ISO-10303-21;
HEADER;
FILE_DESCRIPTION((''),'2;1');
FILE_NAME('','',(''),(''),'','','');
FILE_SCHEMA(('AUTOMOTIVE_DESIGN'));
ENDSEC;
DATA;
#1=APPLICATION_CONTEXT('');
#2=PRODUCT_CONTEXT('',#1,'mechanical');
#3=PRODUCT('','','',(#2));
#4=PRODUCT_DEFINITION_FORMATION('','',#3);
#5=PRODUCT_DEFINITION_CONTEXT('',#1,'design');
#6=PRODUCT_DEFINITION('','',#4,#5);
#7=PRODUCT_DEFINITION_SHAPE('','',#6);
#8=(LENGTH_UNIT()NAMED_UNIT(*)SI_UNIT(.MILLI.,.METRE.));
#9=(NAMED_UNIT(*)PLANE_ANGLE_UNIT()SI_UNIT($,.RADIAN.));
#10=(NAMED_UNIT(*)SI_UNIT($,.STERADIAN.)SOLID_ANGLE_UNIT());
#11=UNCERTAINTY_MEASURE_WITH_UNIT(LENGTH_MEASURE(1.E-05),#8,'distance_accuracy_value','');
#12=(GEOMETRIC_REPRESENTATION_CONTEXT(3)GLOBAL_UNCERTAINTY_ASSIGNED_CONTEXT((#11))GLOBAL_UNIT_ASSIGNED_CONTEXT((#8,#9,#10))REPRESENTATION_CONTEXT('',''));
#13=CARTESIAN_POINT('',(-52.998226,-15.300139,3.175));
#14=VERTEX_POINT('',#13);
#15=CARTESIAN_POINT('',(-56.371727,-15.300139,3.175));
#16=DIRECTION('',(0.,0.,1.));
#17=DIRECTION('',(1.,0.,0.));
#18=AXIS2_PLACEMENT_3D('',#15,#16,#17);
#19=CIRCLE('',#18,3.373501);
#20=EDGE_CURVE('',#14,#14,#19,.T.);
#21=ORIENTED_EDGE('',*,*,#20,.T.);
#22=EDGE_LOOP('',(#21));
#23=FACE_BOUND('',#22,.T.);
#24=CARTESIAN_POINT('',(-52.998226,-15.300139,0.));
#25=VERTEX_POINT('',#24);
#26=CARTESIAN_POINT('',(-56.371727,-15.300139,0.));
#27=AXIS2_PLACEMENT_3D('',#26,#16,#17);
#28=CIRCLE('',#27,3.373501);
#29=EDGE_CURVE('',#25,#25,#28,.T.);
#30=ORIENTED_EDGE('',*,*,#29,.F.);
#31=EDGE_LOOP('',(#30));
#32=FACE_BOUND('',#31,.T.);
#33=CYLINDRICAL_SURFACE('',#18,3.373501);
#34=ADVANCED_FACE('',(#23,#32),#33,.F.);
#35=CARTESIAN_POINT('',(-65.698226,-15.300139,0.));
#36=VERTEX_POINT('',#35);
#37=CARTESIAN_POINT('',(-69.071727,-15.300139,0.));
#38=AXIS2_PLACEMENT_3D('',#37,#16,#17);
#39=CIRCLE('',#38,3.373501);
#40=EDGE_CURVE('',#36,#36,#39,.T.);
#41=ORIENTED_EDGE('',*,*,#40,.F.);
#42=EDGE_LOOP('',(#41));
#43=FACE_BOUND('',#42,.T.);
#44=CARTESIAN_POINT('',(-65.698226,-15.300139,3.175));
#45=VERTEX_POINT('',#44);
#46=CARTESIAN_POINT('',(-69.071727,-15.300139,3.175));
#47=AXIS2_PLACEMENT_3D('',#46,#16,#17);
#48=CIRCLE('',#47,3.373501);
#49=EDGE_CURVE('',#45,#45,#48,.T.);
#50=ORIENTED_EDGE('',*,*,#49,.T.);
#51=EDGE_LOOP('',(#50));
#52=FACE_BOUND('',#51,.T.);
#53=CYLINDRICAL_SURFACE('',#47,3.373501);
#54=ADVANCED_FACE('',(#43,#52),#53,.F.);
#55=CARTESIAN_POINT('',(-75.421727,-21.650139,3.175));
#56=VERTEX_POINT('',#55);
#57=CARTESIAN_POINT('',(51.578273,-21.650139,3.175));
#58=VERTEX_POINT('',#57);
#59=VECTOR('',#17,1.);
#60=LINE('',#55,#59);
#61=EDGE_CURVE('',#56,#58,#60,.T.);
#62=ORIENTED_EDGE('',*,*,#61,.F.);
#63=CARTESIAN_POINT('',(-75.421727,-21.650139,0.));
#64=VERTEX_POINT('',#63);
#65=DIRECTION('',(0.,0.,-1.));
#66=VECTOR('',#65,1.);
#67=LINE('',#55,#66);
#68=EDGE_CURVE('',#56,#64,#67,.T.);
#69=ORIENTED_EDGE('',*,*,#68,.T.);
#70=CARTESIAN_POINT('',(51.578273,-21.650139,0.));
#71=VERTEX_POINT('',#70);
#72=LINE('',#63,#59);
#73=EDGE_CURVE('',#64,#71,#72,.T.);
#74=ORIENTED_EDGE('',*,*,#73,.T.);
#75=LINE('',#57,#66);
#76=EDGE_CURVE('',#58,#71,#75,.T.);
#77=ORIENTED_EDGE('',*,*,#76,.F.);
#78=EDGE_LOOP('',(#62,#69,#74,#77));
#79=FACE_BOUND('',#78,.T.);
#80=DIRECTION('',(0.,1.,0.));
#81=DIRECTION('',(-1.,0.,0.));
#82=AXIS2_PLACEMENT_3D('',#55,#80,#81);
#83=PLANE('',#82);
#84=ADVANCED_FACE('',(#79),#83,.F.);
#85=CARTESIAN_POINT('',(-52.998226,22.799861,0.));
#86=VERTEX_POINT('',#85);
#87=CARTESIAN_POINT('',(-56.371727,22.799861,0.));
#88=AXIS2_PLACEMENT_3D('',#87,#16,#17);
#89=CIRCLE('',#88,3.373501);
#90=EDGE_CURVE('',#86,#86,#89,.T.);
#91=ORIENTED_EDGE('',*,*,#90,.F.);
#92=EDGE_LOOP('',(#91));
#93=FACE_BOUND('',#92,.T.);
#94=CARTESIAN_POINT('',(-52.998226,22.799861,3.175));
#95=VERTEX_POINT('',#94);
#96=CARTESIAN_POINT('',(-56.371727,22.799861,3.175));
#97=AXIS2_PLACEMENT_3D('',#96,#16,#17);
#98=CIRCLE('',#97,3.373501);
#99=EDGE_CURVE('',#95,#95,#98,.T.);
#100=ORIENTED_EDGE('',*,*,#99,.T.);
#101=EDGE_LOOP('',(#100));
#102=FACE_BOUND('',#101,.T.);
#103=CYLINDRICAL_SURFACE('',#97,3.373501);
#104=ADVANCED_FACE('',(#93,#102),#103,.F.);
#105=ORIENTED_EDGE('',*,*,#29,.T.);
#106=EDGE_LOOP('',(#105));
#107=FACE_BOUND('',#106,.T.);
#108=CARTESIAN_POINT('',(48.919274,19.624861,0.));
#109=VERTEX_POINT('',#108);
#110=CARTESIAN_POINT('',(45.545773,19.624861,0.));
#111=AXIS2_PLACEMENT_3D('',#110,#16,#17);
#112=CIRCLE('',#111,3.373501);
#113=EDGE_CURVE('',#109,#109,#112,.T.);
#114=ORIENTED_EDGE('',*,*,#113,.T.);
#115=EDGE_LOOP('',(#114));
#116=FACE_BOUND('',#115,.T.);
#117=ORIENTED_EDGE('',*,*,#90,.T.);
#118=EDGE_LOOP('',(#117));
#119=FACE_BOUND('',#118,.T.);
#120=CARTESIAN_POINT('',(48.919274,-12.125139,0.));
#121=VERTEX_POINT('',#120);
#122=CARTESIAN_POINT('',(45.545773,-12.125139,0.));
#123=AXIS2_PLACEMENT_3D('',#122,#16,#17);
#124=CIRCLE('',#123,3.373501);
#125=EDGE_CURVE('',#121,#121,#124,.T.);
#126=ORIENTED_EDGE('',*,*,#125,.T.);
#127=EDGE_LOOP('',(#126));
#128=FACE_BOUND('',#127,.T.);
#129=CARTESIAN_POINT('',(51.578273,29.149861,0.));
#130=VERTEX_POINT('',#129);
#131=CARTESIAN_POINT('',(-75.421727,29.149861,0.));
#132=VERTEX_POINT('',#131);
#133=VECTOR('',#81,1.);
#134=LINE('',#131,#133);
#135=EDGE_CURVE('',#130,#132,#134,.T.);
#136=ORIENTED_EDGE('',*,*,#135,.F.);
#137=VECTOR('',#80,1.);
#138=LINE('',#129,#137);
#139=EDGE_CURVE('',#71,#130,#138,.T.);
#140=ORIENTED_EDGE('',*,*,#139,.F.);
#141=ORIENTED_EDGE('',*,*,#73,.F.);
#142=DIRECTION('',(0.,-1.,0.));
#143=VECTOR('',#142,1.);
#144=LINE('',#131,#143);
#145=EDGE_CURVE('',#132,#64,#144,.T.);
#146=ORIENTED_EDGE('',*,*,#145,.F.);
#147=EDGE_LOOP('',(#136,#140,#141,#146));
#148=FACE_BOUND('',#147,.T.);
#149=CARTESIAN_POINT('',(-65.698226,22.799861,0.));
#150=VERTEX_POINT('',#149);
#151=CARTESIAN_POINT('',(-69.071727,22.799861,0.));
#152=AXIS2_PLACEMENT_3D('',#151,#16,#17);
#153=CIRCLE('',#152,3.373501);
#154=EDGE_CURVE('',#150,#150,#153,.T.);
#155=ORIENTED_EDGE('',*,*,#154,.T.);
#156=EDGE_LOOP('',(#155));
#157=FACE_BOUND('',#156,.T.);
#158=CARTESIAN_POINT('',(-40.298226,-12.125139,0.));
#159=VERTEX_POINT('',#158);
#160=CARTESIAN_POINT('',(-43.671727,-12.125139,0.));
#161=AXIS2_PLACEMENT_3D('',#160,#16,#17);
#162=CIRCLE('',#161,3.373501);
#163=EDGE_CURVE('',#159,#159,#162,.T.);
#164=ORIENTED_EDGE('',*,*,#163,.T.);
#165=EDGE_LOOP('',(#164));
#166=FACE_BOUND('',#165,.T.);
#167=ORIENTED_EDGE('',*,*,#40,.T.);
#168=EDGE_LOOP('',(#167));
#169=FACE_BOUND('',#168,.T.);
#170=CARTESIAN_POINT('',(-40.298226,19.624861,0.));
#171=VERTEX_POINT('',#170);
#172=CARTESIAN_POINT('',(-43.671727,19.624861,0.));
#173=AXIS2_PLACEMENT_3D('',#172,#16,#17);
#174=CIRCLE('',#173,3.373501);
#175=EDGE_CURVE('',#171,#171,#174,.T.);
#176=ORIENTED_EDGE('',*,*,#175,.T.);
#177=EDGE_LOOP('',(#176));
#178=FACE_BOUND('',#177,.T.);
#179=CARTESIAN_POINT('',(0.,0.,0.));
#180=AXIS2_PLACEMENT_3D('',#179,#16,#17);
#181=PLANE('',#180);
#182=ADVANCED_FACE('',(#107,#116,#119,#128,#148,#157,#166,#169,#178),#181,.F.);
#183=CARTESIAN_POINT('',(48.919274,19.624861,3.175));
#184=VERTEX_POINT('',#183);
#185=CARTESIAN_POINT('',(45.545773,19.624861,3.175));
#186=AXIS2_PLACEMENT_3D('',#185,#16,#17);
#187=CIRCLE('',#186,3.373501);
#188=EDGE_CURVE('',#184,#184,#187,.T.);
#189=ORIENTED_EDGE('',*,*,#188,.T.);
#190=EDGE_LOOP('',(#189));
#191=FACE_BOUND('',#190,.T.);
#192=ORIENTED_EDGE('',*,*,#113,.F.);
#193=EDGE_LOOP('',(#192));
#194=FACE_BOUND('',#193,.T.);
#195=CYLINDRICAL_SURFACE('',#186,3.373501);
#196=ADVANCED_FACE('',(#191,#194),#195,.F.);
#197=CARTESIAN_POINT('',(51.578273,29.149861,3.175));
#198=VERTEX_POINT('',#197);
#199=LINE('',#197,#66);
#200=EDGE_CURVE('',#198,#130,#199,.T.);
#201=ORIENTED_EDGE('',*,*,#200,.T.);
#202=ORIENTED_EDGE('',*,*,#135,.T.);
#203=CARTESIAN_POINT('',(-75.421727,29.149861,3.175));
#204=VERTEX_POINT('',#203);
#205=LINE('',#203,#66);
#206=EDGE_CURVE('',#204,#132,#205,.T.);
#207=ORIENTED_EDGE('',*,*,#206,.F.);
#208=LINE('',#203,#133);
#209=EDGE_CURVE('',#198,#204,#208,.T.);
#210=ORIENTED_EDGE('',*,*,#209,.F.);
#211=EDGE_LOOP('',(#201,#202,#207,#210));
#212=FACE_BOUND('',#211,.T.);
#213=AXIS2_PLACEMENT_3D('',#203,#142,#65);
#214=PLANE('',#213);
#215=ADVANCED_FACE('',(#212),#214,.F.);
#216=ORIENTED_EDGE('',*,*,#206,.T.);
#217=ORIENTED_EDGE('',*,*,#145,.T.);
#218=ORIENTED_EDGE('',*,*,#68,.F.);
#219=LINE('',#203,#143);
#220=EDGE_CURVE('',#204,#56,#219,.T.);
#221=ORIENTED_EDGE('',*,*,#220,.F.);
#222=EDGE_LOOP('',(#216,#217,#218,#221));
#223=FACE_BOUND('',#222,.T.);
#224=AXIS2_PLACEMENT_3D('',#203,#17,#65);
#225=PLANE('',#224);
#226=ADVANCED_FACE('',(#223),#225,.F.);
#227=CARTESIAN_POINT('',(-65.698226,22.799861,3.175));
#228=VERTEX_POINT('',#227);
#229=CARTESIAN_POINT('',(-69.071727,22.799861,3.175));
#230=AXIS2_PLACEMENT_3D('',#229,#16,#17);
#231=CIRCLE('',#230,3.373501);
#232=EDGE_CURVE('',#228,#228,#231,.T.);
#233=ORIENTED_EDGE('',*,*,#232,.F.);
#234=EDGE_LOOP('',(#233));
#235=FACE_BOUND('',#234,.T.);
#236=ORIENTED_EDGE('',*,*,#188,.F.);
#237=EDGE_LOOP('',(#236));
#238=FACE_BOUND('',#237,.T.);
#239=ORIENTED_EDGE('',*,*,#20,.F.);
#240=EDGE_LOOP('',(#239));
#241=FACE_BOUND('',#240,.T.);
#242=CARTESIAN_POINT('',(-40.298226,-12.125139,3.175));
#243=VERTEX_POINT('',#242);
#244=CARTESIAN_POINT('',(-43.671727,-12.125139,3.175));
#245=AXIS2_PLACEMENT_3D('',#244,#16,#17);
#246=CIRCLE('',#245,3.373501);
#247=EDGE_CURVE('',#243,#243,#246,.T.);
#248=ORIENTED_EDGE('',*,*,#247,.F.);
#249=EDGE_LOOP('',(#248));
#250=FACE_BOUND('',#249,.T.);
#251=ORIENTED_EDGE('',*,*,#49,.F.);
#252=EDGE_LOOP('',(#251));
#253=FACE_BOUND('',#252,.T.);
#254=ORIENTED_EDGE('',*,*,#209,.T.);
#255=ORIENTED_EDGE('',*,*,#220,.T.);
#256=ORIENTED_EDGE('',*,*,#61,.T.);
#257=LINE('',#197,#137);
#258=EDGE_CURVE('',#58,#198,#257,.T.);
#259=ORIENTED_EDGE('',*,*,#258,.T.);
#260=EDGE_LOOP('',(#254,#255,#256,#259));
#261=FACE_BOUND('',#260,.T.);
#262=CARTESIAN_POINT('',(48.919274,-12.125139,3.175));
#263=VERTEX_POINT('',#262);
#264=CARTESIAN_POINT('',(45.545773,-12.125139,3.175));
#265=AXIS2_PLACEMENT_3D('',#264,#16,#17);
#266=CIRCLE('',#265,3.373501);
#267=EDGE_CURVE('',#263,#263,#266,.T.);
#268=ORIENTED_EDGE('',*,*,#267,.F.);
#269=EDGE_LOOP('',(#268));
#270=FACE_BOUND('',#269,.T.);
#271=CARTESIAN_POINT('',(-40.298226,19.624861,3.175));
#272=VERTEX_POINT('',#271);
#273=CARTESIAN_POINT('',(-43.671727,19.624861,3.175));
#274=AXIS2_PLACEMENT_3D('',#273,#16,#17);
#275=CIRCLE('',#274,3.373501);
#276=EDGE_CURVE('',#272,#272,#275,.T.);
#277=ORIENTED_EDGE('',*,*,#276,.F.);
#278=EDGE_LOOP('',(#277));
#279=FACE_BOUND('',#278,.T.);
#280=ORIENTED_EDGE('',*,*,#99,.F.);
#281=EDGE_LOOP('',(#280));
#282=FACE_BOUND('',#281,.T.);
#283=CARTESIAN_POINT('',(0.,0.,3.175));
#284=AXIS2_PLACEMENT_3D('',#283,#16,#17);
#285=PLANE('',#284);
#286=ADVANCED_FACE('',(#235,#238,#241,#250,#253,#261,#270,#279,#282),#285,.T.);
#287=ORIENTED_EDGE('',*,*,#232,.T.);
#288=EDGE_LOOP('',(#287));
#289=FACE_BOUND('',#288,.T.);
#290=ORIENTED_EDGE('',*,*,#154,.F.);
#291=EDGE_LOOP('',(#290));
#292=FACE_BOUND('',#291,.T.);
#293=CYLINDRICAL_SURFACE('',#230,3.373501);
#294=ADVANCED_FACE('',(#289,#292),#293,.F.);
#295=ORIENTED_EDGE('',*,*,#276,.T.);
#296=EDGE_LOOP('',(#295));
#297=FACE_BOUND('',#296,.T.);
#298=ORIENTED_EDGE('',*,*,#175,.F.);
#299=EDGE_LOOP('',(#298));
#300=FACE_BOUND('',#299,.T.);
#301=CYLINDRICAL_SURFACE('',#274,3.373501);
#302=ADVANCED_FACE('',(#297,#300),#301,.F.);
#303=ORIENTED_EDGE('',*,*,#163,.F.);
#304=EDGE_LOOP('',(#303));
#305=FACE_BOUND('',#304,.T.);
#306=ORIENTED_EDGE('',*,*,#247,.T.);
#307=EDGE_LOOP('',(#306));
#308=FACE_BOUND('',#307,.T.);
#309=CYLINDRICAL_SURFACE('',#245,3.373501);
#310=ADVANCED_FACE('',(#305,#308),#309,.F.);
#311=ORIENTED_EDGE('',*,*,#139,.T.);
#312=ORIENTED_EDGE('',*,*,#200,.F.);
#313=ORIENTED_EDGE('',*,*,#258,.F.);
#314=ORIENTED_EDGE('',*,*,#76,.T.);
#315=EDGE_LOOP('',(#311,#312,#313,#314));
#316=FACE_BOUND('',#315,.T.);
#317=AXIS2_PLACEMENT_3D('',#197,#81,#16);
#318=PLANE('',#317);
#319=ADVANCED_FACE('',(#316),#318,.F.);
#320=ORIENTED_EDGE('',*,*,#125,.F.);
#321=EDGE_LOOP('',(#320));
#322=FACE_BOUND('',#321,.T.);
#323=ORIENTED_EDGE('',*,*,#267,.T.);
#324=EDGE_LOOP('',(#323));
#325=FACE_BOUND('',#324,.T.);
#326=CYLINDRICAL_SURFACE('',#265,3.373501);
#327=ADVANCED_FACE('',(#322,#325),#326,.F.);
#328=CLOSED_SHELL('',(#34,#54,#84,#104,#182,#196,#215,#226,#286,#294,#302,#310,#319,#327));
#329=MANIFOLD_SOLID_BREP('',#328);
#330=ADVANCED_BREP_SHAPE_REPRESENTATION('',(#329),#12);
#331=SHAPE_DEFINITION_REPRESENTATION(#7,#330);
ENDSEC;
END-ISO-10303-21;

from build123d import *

# Parameters (mm, degrees)
SKETCH1_W                        = 127
SKETCH1_H                        = 50.8
BOSS_EXTRUDE1_DEPTH              = 3.175
F_17_64_0_26563_DIAMETER_HOLE1_D = 6.747002
F_17_64_0_26563_DIAMETER_HOLE2_D = 6.747002


with BuildPart() as part:
    # Sketch1 → Boss-Extrude1 (new body)
    with BuildSketch(Plane.XY):
        with Locations((-11.921727019, 3.749860724)):
            Rectangle(SKETCH1_W, SKETCH1_H)
    extrude(amount=BOSS_EXTRUDE1_DEPTH)

    # 17/64 (0.26563) Diameter Hole1 (through all)
    with Locations(Plane(origin=(-43.671727019, 19.624860724, 3.175), x_dir=(1, 0, 0), z_dir=(0, 0, 1))):
        with Locations((0, 0), (0, -31.75), (89.2175, 0), (89.2175, -31.75)):
            Hole(F_17_64_0_26563_DIAMETER_HOLE1_D / 2)

    # 17/64 (0.26563) Diameter Hole2 (through all)
    with Locations(Plane(origin=(-69.071727019, 22.799860724, 3.175), x_dir=(1, 0, 0), z_dir=(0, 0, 1))):
        with Locations((0, 0), (12.7, 0), (12.7, -38.1), (0, -38.1)):
            Hole(F_17_64_0_26563_DIAMETER_HOLE2_D / 2)


solid = part.part
